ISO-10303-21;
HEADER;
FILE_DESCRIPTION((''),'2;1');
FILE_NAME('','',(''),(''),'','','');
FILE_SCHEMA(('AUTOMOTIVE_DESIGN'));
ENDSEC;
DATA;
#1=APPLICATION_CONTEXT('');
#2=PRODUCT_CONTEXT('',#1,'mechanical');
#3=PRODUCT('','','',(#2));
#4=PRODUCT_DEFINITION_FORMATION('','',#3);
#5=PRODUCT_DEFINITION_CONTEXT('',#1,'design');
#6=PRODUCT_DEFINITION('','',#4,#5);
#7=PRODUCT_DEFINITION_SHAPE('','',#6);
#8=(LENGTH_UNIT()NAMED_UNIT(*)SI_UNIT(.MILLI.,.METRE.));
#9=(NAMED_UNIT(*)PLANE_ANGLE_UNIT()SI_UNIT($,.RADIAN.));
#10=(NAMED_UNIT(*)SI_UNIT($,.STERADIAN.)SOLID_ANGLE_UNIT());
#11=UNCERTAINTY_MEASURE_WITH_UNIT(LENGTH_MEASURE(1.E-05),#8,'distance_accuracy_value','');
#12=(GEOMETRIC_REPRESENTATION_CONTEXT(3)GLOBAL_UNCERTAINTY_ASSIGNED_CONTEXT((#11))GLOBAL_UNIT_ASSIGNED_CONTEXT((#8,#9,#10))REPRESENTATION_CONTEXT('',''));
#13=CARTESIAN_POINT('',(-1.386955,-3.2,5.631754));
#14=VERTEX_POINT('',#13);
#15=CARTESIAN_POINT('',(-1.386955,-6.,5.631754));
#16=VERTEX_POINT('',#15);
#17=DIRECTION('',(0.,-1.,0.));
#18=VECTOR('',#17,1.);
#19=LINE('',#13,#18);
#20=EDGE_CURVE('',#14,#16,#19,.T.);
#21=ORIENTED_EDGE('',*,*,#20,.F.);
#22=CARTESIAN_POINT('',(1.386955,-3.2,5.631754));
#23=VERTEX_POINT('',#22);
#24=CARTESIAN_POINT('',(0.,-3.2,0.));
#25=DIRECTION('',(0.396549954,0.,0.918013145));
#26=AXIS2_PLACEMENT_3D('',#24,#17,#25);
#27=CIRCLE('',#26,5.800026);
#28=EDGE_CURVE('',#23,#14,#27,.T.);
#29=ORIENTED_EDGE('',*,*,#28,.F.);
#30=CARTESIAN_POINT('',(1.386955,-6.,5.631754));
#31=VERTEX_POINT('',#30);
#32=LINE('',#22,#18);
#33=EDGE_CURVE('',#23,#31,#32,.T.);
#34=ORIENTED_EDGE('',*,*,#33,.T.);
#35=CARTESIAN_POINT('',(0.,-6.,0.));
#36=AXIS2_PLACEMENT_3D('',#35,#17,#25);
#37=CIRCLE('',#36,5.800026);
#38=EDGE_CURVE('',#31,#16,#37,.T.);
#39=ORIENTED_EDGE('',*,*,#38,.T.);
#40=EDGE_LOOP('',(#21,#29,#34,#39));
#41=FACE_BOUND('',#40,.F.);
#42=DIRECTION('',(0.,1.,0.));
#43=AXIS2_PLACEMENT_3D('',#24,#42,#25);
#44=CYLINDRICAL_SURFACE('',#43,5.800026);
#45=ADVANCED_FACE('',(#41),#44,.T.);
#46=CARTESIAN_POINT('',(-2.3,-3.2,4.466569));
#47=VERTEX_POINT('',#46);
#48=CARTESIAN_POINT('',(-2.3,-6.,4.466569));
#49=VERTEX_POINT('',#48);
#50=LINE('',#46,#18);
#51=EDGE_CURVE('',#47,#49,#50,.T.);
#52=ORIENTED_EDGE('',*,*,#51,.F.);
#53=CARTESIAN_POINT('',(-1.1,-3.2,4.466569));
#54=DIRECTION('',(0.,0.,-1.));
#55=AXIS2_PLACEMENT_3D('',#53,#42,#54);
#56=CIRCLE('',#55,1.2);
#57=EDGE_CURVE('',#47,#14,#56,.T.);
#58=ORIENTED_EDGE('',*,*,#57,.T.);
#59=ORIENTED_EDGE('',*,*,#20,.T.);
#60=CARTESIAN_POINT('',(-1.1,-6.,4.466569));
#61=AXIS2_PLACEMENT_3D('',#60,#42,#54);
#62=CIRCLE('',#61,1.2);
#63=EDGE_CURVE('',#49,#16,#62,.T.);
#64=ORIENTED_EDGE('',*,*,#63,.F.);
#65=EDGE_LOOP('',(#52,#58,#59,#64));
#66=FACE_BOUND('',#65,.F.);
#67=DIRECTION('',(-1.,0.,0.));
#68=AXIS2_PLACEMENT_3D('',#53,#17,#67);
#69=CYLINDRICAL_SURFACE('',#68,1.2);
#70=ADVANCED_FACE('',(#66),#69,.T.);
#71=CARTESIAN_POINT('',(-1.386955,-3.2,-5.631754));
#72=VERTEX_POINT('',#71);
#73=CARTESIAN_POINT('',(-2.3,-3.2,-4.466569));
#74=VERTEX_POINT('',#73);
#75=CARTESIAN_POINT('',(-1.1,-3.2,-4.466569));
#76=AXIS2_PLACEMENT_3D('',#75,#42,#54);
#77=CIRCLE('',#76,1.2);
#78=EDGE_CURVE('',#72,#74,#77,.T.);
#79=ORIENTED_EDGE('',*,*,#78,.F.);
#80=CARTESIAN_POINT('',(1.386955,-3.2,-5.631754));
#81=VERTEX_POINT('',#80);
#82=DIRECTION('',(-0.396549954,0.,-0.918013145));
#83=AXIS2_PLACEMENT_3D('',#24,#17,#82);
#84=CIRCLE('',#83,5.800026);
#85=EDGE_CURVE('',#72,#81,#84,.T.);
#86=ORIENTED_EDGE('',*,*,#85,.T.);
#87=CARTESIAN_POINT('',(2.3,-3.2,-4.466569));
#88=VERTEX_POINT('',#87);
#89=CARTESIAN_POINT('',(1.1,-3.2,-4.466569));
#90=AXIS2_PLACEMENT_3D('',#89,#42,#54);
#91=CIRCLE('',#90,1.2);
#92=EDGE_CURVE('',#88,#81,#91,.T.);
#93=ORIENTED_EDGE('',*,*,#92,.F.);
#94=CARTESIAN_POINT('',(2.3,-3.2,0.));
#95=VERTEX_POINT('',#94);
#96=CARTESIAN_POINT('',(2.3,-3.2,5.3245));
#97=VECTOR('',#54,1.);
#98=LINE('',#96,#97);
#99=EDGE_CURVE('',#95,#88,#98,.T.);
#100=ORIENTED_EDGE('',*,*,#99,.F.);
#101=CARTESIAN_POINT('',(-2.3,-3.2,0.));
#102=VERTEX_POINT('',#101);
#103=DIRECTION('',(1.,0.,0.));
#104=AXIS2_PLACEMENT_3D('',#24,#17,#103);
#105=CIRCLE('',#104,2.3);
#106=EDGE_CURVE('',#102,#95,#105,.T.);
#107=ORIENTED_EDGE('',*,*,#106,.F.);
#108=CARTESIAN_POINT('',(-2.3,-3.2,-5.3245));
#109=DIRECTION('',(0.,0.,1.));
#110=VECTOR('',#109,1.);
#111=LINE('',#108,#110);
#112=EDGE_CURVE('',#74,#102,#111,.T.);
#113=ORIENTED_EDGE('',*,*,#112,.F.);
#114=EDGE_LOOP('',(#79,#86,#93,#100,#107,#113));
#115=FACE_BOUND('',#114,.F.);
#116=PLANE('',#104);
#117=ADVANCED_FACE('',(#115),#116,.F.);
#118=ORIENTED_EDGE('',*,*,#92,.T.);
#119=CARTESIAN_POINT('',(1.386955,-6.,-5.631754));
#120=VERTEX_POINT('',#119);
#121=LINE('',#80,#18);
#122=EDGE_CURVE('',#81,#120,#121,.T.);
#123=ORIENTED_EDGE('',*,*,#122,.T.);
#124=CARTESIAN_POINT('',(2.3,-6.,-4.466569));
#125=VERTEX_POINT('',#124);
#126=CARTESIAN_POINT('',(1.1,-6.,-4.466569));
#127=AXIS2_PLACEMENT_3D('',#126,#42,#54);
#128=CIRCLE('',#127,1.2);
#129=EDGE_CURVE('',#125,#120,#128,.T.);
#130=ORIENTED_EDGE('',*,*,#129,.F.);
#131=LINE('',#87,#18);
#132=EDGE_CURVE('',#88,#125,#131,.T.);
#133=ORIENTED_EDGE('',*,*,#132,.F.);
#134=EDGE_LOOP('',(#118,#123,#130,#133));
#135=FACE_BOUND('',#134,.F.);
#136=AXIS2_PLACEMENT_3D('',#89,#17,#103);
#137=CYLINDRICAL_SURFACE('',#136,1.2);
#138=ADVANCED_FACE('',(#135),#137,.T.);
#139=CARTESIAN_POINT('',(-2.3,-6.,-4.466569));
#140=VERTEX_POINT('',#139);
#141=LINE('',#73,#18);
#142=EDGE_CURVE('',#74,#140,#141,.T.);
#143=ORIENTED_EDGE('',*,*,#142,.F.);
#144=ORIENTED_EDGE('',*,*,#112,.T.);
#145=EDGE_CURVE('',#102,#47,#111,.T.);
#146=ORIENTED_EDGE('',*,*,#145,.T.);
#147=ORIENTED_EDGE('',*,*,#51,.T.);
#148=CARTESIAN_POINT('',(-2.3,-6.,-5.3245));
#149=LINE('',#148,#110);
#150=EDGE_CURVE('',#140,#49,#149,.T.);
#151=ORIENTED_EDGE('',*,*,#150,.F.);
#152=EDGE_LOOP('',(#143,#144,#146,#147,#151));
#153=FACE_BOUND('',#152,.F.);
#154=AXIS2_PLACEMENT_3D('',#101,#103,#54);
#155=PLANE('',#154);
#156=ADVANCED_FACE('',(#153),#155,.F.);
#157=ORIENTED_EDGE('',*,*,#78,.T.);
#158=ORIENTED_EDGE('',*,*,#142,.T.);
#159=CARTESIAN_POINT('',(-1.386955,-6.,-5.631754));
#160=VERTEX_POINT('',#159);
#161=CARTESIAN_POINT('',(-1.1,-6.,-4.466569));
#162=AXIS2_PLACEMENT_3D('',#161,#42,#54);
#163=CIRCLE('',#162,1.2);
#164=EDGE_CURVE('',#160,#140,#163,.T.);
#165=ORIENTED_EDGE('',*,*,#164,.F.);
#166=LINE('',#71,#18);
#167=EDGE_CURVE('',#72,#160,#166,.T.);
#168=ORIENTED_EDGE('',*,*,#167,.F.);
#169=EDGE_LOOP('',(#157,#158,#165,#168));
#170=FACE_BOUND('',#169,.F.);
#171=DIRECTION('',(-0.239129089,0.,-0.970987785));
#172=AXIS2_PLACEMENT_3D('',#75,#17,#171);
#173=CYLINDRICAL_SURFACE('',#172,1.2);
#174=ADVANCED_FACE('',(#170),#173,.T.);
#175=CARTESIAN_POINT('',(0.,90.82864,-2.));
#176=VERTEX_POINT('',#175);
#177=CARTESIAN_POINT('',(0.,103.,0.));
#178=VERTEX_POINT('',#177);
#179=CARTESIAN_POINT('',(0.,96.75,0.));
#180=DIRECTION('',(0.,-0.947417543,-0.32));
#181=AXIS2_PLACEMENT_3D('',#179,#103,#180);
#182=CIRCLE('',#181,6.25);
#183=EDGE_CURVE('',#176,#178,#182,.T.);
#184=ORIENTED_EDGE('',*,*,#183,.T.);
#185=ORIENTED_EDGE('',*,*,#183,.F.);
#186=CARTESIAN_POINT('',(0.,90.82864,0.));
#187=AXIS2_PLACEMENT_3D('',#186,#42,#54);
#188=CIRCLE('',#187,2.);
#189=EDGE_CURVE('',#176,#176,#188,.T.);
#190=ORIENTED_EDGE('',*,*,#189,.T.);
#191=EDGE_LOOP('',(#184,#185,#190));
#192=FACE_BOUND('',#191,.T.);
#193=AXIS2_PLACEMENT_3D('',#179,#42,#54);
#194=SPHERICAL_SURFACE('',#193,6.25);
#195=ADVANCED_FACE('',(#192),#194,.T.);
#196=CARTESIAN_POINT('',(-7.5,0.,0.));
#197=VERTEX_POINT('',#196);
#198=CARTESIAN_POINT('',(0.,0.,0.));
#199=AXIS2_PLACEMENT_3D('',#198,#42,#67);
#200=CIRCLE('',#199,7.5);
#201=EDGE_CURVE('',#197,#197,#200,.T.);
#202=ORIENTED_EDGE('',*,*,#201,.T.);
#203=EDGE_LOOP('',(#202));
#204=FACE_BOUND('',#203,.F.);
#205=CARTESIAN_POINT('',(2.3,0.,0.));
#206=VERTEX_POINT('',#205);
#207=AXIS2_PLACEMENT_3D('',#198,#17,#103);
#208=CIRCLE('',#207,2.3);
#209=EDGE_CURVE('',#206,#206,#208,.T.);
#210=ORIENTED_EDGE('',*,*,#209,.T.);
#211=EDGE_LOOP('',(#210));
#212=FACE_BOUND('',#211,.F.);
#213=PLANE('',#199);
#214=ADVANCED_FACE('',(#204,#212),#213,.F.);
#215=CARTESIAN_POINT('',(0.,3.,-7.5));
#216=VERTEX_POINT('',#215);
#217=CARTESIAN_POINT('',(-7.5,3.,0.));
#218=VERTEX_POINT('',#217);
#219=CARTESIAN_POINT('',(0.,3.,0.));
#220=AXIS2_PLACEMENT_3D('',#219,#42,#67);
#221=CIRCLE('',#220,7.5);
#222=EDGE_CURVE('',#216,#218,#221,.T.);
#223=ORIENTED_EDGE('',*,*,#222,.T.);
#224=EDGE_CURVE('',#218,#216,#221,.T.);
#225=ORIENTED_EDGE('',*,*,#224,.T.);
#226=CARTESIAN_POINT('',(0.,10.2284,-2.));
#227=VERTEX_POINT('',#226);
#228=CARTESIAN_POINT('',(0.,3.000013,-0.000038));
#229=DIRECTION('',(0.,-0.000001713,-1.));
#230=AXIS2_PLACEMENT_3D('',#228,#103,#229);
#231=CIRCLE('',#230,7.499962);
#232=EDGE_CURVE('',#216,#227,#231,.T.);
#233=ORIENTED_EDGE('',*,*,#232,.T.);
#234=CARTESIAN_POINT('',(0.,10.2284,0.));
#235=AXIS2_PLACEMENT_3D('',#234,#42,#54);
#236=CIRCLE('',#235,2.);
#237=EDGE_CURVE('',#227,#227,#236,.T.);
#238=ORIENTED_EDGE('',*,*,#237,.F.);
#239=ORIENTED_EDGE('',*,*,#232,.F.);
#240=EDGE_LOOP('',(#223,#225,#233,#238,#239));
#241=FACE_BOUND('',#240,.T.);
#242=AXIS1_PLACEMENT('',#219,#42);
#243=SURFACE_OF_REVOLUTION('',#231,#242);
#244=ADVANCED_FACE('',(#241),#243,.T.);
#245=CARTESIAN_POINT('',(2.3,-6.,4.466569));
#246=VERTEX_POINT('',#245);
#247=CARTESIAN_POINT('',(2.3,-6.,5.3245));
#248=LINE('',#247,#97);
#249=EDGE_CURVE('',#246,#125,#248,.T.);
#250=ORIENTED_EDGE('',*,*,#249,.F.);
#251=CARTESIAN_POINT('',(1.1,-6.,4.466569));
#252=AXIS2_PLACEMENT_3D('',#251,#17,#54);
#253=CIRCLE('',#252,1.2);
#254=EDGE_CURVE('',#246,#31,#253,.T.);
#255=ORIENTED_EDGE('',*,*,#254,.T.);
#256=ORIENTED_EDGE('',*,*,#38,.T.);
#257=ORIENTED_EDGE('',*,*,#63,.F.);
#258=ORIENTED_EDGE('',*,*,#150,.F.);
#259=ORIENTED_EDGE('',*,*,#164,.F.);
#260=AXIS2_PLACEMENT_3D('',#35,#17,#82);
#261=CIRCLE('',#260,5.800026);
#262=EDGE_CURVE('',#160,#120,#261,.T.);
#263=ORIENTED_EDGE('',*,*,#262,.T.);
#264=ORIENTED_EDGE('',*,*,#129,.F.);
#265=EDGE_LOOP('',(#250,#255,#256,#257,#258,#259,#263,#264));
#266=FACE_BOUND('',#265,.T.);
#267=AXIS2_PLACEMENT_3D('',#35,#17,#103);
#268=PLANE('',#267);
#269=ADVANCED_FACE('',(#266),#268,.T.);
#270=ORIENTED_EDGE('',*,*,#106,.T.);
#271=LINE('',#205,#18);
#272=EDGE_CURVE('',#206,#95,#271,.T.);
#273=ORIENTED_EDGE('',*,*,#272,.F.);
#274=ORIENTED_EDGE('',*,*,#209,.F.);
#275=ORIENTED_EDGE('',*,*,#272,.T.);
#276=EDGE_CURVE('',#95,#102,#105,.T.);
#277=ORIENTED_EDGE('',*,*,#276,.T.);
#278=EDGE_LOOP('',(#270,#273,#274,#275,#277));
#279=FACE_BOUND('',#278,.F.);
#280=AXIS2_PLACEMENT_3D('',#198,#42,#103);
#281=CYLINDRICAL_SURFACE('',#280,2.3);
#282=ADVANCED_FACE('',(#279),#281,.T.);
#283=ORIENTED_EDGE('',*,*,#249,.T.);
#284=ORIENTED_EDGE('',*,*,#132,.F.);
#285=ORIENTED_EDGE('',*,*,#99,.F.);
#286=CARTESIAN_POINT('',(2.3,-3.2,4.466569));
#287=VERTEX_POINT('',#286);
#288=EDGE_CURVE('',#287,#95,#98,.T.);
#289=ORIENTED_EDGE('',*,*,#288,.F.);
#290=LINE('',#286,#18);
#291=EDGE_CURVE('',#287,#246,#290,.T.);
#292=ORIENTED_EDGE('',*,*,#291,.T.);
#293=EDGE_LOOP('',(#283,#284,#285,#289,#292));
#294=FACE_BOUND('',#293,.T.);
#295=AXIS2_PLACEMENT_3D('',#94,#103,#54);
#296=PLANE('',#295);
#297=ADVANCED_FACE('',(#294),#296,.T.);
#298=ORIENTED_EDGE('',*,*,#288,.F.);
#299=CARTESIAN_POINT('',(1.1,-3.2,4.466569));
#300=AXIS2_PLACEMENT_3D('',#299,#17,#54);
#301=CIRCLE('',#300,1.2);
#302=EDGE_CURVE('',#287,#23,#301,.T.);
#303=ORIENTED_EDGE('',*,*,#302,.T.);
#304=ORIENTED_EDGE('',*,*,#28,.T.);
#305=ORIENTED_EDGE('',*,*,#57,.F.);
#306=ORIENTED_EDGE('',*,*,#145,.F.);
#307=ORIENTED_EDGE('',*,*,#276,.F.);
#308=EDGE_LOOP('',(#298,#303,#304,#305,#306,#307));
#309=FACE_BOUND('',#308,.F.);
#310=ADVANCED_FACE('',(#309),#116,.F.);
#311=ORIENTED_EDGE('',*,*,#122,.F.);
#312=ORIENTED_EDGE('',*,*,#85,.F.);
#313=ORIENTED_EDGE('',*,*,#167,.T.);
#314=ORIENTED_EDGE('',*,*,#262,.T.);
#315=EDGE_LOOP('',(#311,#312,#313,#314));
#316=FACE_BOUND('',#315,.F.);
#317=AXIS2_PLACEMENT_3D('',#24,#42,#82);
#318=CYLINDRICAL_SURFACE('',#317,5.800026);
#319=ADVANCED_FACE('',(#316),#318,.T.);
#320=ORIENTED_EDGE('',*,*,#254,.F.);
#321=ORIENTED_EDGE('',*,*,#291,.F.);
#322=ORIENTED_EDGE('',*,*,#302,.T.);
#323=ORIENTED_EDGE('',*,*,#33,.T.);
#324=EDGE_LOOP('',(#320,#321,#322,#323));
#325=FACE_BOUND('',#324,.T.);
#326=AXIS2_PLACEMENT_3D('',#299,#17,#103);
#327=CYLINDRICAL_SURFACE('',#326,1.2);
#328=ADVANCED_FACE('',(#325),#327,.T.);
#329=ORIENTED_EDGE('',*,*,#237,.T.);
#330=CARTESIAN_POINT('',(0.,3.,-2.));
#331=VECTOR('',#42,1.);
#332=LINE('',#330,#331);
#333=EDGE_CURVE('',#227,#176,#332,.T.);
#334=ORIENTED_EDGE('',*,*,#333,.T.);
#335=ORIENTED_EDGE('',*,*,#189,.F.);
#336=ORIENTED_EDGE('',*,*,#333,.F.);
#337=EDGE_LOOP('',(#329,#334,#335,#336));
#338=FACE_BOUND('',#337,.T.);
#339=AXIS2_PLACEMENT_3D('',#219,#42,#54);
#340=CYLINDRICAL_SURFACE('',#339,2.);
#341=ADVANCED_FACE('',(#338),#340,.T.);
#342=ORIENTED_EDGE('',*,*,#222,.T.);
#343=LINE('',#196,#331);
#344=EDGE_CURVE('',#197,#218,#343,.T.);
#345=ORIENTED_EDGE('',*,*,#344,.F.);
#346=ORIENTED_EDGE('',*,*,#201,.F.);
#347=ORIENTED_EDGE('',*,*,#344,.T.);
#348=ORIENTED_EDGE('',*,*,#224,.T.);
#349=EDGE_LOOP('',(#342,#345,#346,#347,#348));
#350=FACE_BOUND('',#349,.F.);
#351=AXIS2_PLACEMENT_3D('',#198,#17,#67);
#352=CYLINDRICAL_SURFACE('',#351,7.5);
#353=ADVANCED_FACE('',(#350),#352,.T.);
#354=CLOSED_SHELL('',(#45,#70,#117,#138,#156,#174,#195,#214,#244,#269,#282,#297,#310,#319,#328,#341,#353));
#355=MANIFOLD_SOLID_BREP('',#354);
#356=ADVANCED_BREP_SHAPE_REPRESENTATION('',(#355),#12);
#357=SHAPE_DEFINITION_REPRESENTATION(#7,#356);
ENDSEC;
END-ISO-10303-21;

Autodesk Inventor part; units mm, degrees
ref_plane "YZ Plane" through (0, 0, 0) normal (1, 0, 0) x (0, 1, 0)
ref_plane "XZ Plane" through (0, 0, 0) normal (0, 1, 0) x (-1, 0, 0)
ref_plane "XY Plane" through (0, 0, 0) normal (0, 0, 1) x (1, 0, 0)
sketch "Sketch1" plane through (0, 0, 0) normal (0, 1, 0) x (-1, 0, 0)
  circle A0 centre (0, 0) radius 7.5
  dimension "d0" = 15
extrude "Extrusion1" add sketch "Sketch1" along normal blind 3
sketch "Sketch2" plane through (0, 0, 0) normal (0, -1, 0) x (1, 0, 0)
  circle A0 centre (0, 0) radius 7.5 projected
  circle A1 centre (0, 0) radius 2.3
  dimension "d3" = 4.6
extrude "Extrusion2" add sketch "Sketch2" along normal blind 3.2 contours A1
sketch "Sketch3" plane through (0, -3.2, 0) normal (0, -1, 0) x (1, 0, 0)
  circle A0 centre (0, 0) radius 2.3 projected
  line L0 (-2.3, 5.3245) -> (-2.3, -5.3245)
  line L1 (2.3, 5.3245) -> (2.3, -5.3245)
  line L2 (0, 15.7328) -> (0, -15.032) construction
  circle A1 centre (0, 0) radius 7.5 construction
  arc A2 (-3, 6.8739) -> (-3, -6.8739) centre (0, 0) ccw construction
  arc A3 (3, -6.8739) -> (3, 6.8739) centre (0, 0) ccw construction
  arc A4 (2.3, 5.3245) -> (-2.3, 5.3245) centre (0, 0) ccw
  arc A5 (-2.3, -5.3245) -> (2.3, -5.3245) centre (0, 0) ccw
  dimension "d13" = 5.8
  dimension "d19" = 5.8
extrude "Extrusion3" add sketch "Sketch3" along normal blind 2.8
fillet "Fillet2" radius 1.2 4 edges at (-2.3, -4.6, 5.3245) (2.3, -4.6, 5.3245) (-2.3, -4.6, -5.3245) (2.3, -4.6, -5.3245)
ref_plane "Work Plane1" through (0, -3.2, 2.3) normal (1, 0, 0) x (0, 0, -1)
sketch "Sketch8" plane through (0, -3.2, 2.3) normal (1, 0, 0) x (0, 0, -1)
  line L0 (-3.5, -2.8) -> (26.5, -2.8) construction
  line L1 (-63.9924, 6.2) -> (53.0342, 6.2) construction
  line L2 (9.8, 3.2) -> (9.8, -146.8) construction
  arc A0 (9.8, 6.2) -> (4.3, 13.4284) centre (2.3, 6.2) ccw
  line L3 (-3.5, -2.8) -> (-3.0245, -2.8) projected
  line L4 (4.3, 13.4284) -> (4.3, 6.2)
  line L5 (4.3, 6.2) -> (9.8, 6.2)
  line L6 (-5.2, 3.2) -> (9.8, 3.2) projected
  line L7 (2.3, 3.2) -> (9.8, 3.2) construction
  line L8 (2.3, 6.2) -> (4.3, 6.2)
  line L9 (4.3, 6.2) -> (4.3, 105.8714)
  line L10 (2.3, 106.2) -> (2.3, 6.2)
  line L11 (2.3, 3.2) -> (2.3, 202.2325) construction
  arc A1 (2.3, 93.7) -> (2.3, 106.2) centre (2.3, 99.95) ccw
  line L12 (2.3, 106.2) -> (2.3, 93.7) construction
  line L13 (4.3, 105.8714) -> (2.3, 106.2)
  line L14 (2.3, 106.2) -> (2.3, 93.7)
  line L15 (2.3, -217.6065) -> (2.3, 271.0391) projected
  point P0 (37.0288, 0)
  point P1 (-3.3317, -2.8)
  dimension "d54" = 30
  dimension "d58" = 9
  dimension "d61" = 150
  dimension "d64" = 0
  dimension "d65" = 2
  dimension "d66" = 100
  dimension "d68" = 7.5
  dimension "d70" = 6.25
revolve "Revolution4" add sketch "Sketch8" angle 360 about axis through (0, 3, 0) along (0, 1, 0)
equation "\"d0\" = HeadConnectorOuterSize"
equation "\"d1\" = EarConnectorHeight"
equation "\"d3\" = HeadConnectorWidth - HeadConnectorTolerance"
equation "\"d4\" = HeadConnectorOuterHeight + HeadConnectorTolerance"
equation "\"d13\" = 0.5 * HeadConnectorDiam - HeadConnectorTolerance"
equation "\"d19\" = 0.5 * HeadConnectorDiam - HeadConnectorTolerance"
equation "\"d10\" = HeadConnectorHeight - HeadConnectorTolerance"
equation "\"d20\" = 2 * HeadConnectorProportion"
equation "\"d58\" = HeadConnectorOuterHeight + HeadConnectorHeight + EarConnectorHeight"
equation "\"d65\" = 0.5 * EarWidth"
equation "\"d66\" = EarHeight"
equation "\"d68\" = 0.5 * HeadConnectorOuterSize"
equation "\"d70\" = 0.5 * EarBallSize"
equation "\"EarHeight\" = 100"
equation "\"EarWidth\" = 4"
equation "\"EarBallSize\" = 12.5"
equation "\"HeadConnectorOuterSize\" = 15"
equation "\"EarConnectorHeight\" = 3"
equation "\"HeadConnectorWidth\" = 4.8"
equation "\"HeadConnectorTolerance\" = 0.2"
equation "\"HeadConnectorOuterHeight\" = 3"
equation "\"HeadConnectorDiam\" = 12"
equation "\"HeadConnectorHeight\" = 3"
equation "\"HeadConnectorProportion\" = 0.6"
properties part number "EarShapeET"
